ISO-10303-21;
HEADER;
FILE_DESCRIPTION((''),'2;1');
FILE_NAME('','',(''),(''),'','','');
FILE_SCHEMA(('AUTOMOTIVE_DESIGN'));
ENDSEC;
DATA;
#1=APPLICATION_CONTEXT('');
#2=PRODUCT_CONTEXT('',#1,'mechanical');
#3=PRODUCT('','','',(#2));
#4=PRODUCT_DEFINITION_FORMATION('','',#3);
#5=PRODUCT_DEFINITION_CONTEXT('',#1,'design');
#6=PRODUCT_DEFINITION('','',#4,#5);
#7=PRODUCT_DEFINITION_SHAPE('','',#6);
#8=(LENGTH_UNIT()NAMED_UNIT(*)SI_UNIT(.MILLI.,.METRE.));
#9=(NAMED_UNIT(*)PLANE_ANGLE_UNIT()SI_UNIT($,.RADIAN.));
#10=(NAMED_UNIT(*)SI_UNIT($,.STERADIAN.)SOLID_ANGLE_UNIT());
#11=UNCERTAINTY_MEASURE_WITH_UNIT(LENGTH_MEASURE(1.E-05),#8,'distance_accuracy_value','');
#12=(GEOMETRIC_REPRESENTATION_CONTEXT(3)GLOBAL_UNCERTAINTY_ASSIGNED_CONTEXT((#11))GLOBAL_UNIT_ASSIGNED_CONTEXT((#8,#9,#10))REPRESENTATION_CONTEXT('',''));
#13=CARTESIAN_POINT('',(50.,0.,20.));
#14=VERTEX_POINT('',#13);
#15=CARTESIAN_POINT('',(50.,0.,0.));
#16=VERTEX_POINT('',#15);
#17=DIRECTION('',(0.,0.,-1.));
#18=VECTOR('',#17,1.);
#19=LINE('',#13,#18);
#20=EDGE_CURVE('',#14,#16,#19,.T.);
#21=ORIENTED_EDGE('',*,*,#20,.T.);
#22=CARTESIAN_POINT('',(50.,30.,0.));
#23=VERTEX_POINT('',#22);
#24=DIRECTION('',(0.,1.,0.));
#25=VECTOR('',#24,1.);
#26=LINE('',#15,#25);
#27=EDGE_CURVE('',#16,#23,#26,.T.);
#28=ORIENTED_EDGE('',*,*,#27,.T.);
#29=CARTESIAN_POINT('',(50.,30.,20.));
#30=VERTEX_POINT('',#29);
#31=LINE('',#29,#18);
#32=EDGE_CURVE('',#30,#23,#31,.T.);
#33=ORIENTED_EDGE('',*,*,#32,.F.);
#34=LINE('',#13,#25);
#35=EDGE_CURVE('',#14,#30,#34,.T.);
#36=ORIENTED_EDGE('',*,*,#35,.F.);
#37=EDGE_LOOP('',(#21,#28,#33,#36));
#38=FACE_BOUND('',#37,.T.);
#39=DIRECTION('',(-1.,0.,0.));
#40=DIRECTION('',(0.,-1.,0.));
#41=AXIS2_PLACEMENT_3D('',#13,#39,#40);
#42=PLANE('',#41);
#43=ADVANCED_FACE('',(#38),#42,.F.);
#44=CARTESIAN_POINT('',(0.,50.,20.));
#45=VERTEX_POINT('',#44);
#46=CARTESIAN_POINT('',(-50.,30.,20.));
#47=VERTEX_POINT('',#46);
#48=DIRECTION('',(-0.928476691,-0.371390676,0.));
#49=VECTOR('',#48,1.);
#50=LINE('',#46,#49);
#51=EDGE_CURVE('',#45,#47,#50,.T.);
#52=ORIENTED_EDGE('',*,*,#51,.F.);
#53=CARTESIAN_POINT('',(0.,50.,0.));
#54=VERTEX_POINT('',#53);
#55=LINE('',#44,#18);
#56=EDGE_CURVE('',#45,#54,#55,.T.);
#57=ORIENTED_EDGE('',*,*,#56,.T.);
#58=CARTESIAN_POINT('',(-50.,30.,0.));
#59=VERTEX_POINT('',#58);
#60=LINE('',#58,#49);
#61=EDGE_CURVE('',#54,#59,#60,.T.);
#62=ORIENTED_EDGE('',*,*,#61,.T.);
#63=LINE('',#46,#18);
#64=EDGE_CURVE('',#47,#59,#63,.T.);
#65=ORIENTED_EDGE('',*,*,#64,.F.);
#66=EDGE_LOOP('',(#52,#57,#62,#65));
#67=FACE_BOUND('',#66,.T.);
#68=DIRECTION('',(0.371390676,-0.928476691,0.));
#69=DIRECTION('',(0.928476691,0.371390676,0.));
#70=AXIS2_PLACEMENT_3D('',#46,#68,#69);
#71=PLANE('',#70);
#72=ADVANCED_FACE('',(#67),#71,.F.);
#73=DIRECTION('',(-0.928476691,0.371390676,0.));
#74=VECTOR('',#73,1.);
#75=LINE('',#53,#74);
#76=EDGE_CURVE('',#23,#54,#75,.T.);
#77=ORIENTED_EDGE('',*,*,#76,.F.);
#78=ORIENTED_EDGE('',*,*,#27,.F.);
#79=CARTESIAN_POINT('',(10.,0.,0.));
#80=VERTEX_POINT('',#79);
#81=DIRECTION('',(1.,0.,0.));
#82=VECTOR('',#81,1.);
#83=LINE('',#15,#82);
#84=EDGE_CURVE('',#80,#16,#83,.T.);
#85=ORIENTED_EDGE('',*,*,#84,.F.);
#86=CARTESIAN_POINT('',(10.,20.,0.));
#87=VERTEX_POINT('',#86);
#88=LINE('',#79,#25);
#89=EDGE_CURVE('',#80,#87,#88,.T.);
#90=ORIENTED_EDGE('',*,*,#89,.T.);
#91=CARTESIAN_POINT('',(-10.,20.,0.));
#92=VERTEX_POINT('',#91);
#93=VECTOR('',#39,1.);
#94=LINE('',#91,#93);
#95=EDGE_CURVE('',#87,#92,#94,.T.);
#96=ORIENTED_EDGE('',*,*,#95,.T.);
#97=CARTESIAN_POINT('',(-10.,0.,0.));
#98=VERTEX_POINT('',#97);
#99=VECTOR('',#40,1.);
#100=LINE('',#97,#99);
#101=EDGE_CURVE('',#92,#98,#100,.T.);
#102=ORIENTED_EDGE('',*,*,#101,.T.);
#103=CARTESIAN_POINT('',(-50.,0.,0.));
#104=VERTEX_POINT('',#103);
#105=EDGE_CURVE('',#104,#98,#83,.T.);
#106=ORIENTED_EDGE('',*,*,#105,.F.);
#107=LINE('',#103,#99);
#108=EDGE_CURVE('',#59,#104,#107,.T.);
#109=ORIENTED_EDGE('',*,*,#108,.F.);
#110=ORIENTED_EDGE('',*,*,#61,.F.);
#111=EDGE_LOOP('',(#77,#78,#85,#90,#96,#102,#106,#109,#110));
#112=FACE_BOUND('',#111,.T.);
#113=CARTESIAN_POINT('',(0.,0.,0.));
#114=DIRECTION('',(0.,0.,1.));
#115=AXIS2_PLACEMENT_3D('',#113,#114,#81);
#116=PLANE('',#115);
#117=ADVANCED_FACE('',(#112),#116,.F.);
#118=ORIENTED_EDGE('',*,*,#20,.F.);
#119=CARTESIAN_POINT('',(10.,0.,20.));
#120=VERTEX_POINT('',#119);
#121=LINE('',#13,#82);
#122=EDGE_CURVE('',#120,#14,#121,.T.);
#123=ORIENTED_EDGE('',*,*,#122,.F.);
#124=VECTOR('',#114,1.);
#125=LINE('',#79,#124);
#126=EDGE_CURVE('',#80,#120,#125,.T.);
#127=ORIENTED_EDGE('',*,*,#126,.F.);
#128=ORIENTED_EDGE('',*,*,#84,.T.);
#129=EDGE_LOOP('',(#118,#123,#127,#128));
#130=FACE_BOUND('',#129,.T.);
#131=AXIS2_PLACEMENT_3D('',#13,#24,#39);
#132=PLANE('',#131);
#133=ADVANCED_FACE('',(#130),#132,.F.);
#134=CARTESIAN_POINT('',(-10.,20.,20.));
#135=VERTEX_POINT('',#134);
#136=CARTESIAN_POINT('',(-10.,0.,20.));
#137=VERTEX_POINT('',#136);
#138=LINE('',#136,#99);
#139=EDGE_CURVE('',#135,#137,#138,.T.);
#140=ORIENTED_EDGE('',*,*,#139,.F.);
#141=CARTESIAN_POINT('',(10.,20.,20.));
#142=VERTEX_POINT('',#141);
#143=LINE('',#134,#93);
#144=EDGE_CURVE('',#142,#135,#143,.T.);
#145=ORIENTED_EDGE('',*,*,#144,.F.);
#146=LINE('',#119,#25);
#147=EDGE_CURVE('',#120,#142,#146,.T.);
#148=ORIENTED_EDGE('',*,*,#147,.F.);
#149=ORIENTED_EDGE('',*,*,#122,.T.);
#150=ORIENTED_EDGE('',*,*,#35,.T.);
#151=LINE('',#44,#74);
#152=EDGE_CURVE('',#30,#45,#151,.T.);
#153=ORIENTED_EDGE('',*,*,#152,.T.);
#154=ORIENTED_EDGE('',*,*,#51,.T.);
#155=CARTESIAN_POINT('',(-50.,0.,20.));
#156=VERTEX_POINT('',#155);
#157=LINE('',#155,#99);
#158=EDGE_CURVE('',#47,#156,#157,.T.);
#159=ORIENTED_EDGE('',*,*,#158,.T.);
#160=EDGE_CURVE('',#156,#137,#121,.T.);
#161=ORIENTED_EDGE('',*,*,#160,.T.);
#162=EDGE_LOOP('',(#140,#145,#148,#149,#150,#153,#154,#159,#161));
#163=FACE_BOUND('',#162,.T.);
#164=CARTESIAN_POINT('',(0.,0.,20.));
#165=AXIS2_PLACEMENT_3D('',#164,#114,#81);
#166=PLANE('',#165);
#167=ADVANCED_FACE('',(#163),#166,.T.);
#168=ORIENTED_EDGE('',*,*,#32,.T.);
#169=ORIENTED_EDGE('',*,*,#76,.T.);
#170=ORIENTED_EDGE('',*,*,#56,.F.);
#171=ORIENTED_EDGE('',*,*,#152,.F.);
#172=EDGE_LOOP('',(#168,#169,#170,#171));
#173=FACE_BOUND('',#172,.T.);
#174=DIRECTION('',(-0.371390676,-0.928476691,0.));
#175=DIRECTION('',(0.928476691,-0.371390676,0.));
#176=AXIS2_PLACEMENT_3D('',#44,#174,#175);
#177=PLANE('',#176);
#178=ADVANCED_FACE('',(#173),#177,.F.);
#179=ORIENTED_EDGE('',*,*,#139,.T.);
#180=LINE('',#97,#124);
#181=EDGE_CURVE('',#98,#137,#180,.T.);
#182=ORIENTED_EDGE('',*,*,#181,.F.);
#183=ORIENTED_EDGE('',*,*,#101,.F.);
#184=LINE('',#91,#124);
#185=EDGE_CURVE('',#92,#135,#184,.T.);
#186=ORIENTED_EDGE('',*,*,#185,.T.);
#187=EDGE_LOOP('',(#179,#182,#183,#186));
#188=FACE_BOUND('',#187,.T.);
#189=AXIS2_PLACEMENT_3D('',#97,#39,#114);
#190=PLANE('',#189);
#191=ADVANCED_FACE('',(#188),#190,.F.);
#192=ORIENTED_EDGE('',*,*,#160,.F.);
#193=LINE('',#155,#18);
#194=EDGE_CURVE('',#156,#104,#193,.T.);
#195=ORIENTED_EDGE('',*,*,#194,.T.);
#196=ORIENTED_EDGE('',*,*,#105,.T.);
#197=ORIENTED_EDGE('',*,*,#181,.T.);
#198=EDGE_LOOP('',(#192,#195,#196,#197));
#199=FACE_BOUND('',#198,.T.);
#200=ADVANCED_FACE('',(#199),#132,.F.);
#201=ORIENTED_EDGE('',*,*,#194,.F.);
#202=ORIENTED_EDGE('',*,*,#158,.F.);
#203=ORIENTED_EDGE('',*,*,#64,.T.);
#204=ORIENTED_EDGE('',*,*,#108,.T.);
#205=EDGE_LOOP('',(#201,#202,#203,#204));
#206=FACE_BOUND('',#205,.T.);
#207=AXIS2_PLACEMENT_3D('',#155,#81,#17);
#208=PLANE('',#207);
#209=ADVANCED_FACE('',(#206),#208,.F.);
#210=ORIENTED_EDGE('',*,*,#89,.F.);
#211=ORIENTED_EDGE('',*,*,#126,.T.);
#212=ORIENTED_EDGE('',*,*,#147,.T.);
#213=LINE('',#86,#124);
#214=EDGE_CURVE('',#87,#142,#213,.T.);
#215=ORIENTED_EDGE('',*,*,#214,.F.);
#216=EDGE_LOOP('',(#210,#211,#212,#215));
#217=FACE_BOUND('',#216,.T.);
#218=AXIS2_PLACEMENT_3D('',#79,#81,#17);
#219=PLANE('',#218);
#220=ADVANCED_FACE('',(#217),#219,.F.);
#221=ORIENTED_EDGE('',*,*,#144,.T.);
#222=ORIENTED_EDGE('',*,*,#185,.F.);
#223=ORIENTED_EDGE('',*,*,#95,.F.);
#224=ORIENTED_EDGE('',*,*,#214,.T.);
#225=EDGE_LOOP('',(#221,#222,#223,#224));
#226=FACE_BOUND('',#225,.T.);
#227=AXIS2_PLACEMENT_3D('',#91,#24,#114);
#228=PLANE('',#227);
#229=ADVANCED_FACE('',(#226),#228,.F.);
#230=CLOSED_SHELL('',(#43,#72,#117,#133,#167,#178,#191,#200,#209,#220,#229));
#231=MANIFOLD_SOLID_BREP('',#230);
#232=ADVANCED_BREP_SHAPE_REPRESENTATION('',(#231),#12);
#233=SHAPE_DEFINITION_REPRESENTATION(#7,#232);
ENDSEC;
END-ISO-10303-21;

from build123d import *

# Parameters (mm, degrees)
BOSS_EXTRUDE1_DEPTH = 20
SKETCH2_W           = 20
SKETCH2_H           = 20
CUT_EXTRUDE1_DEPTH  = 74.484692283


with BuildPart() as part:
    # Sketch1 → Boss-Extrude1 (new body)
    with BuildSketch(Plane.XY):
        Polygon((50, 0), (-50, 0), (-50, 30), (0, 50), (50, 30), align=None)
    extrude(amount=BOSS_EXTRUDE1_DEPTH)

    # Sketch2 → Cut-Extrude1 (cut, through all)
    with BuildSketch(Plane.XY.offset(20)):
        with Locations((0, 10)):
            Rectangle(SKETCH2_W, SKETCH2_H)
    extrude(amount=-CUT_EXTRUDE1_DEPTH, mode=Mode.SUBTRACT)


solid = part.part
